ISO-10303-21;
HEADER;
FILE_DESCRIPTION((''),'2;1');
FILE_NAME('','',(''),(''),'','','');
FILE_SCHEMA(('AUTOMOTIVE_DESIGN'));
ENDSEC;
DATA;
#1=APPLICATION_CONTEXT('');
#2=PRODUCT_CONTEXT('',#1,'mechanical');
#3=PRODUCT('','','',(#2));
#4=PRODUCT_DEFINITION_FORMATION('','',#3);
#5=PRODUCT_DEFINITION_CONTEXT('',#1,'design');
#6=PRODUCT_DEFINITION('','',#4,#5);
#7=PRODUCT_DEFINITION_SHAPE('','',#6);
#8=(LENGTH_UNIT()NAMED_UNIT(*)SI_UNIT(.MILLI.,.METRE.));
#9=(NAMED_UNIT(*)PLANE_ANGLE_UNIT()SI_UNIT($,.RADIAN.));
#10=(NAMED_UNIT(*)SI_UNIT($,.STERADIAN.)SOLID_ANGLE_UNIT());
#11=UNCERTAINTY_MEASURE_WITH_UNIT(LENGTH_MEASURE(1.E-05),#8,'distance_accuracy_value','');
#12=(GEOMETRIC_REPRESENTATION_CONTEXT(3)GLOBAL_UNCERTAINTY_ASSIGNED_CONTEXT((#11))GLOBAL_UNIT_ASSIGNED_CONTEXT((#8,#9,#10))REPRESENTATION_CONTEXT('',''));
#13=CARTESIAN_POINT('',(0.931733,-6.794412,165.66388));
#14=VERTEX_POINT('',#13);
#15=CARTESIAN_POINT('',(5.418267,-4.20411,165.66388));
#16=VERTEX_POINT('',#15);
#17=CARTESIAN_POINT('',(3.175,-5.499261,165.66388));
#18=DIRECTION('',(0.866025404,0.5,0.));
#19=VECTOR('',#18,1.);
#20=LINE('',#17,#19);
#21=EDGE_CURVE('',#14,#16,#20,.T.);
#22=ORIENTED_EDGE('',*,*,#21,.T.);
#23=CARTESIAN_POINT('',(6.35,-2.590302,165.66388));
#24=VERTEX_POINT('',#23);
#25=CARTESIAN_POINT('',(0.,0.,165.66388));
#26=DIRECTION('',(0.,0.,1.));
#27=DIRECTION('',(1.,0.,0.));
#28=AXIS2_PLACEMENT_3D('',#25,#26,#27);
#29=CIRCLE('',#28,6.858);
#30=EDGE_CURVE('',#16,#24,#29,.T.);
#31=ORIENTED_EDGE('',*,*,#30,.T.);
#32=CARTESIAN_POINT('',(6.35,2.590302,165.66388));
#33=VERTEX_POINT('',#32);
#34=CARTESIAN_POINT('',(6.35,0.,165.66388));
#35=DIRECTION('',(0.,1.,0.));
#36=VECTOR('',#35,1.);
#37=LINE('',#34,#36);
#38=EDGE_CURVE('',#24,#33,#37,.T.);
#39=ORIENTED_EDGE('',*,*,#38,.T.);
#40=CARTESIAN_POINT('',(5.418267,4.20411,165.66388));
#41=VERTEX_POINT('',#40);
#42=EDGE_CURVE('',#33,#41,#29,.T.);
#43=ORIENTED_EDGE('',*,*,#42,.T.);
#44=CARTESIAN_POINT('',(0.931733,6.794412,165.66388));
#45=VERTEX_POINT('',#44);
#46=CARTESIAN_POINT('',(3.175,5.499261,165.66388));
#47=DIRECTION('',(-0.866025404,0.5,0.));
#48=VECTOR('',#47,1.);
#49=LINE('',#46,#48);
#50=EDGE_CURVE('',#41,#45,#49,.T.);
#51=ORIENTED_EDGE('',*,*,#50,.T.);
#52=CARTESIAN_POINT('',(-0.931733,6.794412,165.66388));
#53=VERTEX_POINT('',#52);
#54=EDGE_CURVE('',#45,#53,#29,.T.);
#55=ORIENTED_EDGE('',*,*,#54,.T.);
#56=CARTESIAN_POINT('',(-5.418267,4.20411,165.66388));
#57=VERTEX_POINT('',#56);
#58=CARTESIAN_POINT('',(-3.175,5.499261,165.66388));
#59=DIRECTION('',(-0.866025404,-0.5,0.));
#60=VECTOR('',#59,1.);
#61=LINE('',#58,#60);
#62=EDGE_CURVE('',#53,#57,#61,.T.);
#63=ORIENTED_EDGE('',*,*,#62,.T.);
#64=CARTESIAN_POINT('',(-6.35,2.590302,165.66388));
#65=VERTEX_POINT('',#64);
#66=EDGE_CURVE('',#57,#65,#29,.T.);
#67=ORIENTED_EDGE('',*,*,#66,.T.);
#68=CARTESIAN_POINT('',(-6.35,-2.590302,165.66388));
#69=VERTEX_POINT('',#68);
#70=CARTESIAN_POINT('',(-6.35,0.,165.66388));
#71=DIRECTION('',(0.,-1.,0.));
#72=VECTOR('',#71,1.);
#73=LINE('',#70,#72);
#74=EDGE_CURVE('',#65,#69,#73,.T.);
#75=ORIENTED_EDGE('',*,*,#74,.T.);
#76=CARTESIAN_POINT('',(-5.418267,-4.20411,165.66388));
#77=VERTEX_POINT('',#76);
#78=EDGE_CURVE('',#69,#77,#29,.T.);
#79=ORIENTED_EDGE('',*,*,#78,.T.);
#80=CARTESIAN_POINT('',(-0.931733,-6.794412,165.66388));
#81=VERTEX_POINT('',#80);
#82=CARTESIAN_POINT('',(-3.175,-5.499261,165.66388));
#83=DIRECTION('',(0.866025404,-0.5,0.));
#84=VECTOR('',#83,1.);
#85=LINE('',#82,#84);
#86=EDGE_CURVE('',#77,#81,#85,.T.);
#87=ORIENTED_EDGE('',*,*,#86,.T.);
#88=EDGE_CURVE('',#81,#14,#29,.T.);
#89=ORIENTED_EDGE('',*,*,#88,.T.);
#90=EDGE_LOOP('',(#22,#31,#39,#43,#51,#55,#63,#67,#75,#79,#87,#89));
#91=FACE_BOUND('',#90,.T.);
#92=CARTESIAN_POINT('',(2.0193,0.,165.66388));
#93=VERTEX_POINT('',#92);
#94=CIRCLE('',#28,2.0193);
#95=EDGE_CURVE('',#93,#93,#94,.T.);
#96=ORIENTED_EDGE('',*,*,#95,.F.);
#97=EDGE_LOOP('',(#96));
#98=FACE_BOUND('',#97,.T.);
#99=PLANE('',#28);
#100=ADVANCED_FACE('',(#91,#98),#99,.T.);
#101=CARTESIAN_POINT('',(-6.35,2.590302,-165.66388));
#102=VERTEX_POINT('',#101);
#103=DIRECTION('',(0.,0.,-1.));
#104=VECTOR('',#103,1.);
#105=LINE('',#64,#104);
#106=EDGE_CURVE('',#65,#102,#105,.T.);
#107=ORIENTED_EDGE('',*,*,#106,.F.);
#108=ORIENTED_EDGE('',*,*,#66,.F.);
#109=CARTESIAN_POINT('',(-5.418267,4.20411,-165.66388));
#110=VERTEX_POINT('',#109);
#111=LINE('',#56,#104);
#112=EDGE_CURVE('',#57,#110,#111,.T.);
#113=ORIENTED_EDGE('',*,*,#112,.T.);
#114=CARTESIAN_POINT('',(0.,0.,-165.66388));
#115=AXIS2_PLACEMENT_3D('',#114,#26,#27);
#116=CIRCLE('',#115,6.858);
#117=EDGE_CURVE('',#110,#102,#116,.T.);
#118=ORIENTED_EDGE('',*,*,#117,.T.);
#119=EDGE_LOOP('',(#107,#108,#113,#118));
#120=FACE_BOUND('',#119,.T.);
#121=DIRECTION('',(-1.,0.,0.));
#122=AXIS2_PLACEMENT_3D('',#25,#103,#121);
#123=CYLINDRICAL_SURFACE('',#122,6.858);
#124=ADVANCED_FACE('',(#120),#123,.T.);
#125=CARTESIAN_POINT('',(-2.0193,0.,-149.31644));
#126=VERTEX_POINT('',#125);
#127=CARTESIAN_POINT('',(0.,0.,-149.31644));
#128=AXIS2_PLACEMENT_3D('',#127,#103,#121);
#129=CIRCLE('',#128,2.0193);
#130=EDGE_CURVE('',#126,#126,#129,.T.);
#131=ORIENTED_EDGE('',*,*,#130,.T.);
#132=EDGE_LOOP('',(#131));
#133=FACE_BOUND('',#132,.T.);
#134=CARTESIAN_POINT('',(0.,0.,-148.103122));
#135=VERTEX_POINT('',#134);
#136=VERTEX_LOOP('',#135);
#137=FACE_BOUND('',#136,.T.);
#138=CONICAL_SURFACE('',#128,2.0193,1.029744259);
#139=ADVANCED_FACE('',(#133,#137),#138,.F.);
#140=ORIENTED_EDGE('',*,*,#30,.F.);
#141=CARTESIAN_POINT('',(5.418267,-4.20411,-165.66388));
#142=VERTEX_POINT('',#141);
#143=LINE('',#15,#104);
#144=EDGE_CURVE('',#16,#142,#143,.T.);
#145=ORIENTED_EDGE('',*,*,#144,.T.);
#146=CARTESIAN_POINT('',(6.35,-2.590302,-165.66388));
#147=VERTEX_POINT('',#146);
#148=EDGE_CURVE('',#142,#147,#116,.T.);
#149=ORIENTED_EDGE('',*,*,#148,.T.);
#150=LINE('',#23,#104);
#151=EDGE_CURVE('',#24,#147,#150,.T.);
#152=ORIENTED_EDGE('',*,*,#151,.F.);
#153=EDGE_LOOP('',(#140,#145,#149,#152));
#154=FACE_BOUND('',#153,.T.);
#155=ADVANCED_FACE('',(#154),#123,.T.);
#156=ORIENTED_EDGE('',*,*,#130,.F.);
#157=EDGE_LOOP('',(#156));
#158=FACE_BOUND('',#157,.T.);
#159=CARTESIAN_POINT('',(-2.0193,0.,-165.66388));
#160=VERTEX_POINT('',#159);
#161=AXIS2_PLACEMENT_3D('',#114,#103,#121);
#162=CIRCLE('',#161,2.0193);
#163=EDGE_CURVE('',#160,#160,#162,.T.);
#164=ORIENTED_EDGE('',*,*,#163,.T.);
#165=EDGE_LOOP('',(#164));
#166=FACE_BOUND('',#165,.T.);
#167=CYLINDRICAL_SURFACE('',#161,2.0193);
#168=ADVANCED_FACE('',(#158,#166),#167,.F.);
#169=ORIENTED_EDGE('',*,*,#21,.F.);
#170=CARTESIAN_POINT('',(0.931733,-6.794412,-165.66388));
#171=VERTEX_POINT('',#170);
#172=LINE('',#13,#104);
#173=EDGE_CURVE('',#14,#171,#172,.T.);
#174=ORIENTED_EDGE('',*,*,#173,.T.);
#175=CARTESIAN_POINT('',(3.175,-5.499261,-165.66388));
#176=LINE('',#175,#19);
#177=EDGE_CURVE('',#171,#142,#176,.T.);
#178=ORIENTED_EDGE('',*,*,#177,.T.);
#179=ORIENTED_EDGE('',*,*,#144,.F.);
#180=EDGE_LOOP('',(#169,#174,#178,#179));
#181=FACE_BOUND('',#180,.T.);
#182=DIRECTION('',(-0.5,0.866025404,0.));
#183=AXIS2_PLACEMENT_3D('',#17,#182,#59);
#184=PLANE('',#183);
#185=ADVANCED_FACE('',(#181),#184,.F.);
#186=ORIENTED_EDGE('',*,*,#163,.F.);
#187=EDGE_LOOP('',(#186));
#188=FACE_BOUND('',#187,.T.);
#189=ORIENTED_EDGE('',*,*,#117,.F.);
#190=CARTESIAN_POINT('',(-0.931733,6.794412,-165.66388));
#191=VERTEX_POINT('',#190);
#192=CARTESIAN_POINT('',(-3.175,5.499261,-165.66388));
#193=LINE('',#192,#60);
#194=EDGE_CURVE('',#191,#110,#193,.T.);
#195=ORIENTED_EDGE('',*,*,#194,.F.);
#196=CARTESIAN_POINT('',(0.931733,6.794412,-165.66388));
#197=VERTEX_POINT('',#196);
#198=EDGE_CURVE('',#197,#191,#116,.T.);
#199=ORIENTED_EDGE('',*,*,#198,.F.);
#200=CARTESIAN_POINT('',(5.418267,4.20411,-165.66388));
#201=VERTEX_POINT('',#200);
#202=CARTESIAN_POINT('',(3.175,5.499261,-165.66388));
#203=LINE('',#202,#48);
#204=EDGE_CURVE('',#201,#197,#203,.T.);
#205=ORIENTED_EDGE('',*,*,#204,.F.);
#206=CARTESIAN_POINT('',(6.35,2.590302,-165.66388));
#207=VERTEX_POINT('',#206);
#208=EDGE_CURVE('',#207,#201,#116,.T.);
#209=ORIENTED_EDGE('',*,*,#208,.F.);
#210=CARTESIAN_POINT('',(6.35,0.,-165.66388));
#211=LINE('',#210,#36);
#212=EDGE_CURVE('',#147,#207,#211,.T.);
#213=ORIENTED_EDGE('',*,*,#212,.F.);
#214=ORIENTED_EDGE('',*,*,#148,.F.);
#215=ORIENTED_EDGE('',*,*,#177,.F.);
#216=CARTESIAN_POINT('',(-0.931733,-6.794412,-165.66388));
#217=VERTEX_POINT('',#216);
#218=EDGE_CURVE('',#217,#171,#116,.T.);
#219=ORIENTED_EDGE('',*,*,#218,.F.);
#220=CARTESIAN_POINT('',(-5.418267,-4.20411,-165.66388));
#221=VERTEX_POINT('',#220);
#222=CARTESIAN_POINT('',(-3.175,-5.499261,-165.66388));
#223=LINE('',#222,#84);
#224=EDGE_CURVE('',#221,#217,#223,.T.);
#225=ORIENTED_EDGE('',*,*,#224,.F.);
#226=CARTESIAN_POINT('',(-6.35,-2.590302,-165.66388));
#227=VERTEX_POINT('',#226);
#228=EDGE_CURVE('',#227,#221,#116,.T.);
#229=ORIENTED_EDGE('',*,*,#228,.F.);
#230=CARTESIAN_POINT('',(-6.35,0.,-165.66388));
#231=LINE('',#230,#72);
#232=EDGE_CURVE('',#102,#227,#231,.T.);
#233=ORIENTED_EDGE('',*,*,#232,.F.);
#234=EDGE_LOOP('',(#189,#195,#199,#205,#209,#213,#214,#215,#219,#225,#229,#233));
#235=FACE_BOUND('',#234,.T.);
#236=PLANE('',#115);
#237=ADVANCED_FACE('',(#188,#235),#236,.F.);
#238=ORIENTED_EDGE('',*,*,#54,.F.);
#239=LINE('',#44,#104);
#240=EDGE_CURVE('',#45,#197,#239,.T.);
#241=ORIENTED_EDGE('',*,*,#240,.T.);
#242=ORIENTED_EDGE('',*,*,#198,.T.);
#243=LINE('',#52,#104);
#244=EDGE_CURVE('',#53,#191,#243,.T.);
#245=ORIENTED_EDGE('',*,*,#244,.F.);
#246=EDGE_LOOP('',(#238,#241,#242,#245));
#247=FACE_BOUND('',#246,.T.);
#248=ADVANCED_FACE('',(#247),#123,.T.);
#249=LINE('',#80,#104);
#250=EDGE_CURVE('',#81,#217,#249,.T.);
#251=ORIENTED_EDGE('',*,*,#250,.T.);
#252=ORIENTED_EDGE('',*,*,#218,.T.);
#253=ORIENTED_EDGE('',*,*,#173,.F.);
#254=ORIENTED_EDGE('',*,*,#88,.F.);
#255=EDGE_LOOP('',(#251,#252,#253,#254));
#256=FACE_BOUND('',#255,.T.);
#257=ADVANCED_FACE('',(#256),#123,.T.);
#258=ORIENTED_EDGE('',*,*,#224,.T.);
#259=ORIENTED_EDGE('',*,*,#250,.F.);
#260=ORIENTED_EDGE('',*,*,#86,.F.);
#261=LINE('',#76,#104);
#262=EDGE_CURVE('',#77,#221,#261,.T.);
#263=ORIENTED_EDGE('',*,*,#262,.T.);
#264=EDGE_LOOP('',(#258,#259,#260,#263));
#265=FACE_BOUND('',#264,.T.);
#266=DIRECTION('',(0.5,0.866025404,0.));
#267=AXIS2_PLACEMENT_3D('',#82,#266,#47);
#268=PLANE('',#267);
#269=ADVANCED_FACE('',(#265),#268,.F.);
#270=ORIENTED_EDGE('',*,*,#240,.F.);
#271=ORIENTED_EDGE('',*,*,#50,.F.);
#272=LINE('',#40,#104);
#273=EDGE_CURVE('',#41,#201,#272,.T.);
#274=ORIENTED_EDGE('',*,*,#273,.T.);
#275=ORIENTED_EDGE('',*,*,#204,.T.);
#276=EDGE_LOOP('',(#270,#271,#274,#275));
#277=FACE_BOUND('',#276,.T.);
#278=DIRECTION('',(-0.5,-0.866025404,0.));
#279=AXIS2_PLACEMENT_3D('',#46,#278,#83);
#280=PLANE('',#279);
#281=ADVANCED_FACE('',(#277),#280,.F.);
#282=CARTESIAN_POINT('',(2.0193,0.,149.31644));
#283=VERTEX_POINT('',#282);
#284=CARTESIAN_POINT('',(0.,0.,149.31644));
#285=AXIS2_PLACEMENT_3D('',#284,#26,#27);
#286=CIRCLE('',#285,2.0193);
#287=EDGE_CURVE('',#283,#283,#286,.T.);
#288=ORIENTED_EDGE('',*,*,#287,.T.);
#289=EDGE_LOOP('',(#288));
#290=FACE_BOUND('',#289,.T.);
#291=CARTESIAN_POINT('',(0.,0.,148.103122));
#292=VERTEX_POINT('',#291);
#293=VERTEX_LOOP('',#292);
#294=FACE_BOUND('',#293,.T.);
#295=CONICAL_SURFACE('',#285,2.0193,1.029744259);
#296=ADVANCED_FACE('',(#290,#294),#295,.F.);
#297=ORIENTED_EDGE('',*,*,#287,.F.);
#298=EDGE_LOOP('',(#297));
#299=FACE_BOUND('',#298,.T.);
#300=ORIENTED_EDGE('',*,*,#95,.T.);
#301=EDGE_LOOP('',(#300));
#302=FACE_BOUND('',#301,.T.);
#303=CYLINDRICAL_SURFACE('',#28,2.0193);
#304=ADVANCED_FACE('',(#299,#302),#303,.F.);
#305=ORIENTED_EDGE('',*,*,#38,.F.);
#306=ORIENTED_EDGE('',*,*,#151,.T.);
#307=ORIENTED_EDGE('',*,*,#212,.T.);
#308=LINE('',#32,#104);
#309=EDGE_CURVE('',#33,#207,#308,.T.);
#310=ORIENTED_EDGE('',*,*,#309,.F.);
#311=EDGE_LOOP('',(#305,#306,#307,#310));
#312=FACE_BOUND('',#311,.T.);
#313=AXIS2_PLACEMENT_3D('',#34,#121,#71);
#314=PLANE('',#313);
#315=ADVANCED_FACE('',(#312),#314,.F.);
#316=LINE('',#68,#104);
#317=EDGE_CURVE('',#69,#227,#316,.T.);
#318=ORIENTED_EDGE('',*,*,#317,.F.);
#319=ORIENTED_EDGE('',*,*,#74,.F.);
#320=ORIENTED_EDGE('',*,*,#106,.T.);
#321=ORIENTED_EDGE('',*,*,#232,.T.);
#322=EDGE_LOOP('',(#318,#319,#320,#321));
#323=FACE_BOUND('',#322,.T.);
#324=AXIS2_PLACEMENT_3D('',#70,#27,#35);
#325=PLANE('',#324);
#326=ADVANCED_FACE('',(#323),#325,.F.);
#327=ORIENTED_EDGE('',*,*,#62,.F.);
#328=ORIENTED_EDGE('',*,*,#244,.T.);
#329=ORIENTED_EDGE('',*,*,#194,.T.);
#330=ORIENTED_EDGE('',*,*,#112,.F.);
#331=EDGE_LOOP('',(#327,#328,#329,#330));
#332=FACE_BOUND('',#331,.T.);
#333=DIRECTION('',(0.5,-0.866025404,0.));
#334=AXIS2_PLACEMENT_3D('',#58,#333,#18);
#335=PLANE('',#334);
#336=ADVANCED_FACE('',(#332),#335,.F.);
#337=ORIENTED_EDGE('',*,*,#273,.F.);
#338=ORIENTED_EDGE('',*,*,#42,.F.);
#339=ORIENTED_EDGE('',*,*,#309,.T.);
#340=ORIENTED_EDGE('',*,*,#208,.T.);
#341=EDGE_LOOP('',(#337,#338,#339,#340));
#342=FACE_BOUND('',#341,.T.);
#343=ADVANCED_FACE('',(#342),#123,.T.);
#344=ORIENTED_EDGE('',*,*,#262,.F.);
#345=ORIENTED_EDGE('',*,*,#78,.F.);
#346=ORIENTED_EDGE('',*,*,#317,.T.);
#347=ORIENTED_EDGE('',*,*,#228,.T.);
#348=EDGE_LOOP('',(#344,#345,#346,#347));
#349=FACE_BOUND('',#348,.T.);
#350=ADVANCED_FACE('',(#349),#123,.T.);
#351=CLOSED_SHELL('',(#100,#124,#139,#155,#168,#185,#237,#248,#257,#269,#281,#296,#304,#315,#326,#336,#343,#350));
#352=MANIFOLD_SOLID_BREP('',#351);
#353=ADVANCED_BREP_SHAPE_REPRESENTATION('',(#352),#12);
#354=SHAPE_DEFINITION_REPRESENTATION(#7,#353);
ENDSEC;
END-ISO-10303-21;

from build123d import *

# Parameters (mm, degrees)
BOSS_EXTRUDE1_DEPTH                  = 165.66388
F_10_32_TAPPED_HOLE1_D               = 4.0386
F_10_32_TAPPED_HOLE1_DEPTH           = 16.34744
F_10_32_TAPPED_HOLE1_TIP             = 1.213317848
F_10_32_TAPPED_HOLE1_ON_FACE_2_D     = 4.0386
F_10_32_TAPPED_HOLE1_ON_FACE_2_DEPTH = 16.34744
F_10_32_TAPPED_HOLE1_ON_FACE_2_TIP   = 1.213317848


with BuildPart() as part:
    # Sketch1 → Boss-Extrude1 (new, symmetric)
    with BuildSketch(Plane.XY):
        with BuildLine():
            ThreePointArc((0.93173274, 6.79441227), (0, 6.858), (-0.93173274, 6.79441227))
            Line((-0.93173274, 6.79441227), (-5.41826726, 4.204110358))
            ThreePointArc((-5.41826726, 4.204110358), (-5.939202219, 3.429), (-6.35, 2.590301913))
            Line((-6.35, 2.590301913), (-6.35, -2.590301913))
            ThreePointArc((-6.35, -2.590301913), (-5.939202219, -3.429), (-5.41826726, -4.204110358))
            Line((-5.41826726, -4.204110358), (-0.93173274, -6.79441227))
            ThreePointArc((-0.93173274, -6.79441227), (0, -6.858), (0.93173274, -6.79441227))
            Line((0.93173274, -6.79441227), (5.41826726, -4.204110358))
            ThreePointArc((5.41826726, -4.204110358), (5.939202219, -3.429), (6.35, -2.590301913))
            Line((6.35, -2.590301913), (6.35, 2.590301913))
            ThreePointArc((6.35, 2.590301913), (5.939202219, 3.429), (5.41826726, 4.204110358))
            Line((5.41826726, 4.204110358), (0.93173274, 6.79441227))
        make_face()
    extrude(amount=BOSS_EXTRUDE1_DEPTH, both=True)

    # #10-32 Tapped Hole1
    with Locations(Plane.XY.offset(165.66388)):
        with Locations((0, 0)):
            Hole(F_10_32_TAPPED_HOLE1_D / 2, depth=F_10_32_TAPPED_HOLE1_DEPTH)
            with Locations((0, 0, -(F_10_32_TAPPED_HOLE1_DEPTH + F_10_32_TAPPED_HOLE1_TIP / 2))):  # 118° drill point
                Cone(0, F_10_32_TAPPED_HOLE1_D / 2, F_10_32_TAPPED_HOLE1_TIP, mode=Mode.SUBTRACT)

    # #10-32 Tapped Hole1 on face 2
    with Locations(Plane(origin=(0, 0, -165.66388), x_dir=(-1, 0, 0), z_dir=(0, 0, -1))):
        with Locations((0, 0)):
            Hole(F_10_32_TAPPED_HOLE1_ON_FACE_2_D / 2, depth=F_10_32_TAPPED_HOLE1_ON_FACE_2_DEPTH)
            with Locations((0, 0, -(F_10_32_TAPPED_HOLE1_ON_FACE_2_DEPTH + F_10_32_TAPPED_HOLE1_ON_FACE_2_TIP / 2))):  # 118° drill point
                Cone(0, F_10_32_TAPPED_HOLE1_ON_FACE_2_D / 2, F_10_32_TAPPED_HOLE1_ON_FACE_2_TIP, mode=Mode.SUBTRACT)


solid = part.part
